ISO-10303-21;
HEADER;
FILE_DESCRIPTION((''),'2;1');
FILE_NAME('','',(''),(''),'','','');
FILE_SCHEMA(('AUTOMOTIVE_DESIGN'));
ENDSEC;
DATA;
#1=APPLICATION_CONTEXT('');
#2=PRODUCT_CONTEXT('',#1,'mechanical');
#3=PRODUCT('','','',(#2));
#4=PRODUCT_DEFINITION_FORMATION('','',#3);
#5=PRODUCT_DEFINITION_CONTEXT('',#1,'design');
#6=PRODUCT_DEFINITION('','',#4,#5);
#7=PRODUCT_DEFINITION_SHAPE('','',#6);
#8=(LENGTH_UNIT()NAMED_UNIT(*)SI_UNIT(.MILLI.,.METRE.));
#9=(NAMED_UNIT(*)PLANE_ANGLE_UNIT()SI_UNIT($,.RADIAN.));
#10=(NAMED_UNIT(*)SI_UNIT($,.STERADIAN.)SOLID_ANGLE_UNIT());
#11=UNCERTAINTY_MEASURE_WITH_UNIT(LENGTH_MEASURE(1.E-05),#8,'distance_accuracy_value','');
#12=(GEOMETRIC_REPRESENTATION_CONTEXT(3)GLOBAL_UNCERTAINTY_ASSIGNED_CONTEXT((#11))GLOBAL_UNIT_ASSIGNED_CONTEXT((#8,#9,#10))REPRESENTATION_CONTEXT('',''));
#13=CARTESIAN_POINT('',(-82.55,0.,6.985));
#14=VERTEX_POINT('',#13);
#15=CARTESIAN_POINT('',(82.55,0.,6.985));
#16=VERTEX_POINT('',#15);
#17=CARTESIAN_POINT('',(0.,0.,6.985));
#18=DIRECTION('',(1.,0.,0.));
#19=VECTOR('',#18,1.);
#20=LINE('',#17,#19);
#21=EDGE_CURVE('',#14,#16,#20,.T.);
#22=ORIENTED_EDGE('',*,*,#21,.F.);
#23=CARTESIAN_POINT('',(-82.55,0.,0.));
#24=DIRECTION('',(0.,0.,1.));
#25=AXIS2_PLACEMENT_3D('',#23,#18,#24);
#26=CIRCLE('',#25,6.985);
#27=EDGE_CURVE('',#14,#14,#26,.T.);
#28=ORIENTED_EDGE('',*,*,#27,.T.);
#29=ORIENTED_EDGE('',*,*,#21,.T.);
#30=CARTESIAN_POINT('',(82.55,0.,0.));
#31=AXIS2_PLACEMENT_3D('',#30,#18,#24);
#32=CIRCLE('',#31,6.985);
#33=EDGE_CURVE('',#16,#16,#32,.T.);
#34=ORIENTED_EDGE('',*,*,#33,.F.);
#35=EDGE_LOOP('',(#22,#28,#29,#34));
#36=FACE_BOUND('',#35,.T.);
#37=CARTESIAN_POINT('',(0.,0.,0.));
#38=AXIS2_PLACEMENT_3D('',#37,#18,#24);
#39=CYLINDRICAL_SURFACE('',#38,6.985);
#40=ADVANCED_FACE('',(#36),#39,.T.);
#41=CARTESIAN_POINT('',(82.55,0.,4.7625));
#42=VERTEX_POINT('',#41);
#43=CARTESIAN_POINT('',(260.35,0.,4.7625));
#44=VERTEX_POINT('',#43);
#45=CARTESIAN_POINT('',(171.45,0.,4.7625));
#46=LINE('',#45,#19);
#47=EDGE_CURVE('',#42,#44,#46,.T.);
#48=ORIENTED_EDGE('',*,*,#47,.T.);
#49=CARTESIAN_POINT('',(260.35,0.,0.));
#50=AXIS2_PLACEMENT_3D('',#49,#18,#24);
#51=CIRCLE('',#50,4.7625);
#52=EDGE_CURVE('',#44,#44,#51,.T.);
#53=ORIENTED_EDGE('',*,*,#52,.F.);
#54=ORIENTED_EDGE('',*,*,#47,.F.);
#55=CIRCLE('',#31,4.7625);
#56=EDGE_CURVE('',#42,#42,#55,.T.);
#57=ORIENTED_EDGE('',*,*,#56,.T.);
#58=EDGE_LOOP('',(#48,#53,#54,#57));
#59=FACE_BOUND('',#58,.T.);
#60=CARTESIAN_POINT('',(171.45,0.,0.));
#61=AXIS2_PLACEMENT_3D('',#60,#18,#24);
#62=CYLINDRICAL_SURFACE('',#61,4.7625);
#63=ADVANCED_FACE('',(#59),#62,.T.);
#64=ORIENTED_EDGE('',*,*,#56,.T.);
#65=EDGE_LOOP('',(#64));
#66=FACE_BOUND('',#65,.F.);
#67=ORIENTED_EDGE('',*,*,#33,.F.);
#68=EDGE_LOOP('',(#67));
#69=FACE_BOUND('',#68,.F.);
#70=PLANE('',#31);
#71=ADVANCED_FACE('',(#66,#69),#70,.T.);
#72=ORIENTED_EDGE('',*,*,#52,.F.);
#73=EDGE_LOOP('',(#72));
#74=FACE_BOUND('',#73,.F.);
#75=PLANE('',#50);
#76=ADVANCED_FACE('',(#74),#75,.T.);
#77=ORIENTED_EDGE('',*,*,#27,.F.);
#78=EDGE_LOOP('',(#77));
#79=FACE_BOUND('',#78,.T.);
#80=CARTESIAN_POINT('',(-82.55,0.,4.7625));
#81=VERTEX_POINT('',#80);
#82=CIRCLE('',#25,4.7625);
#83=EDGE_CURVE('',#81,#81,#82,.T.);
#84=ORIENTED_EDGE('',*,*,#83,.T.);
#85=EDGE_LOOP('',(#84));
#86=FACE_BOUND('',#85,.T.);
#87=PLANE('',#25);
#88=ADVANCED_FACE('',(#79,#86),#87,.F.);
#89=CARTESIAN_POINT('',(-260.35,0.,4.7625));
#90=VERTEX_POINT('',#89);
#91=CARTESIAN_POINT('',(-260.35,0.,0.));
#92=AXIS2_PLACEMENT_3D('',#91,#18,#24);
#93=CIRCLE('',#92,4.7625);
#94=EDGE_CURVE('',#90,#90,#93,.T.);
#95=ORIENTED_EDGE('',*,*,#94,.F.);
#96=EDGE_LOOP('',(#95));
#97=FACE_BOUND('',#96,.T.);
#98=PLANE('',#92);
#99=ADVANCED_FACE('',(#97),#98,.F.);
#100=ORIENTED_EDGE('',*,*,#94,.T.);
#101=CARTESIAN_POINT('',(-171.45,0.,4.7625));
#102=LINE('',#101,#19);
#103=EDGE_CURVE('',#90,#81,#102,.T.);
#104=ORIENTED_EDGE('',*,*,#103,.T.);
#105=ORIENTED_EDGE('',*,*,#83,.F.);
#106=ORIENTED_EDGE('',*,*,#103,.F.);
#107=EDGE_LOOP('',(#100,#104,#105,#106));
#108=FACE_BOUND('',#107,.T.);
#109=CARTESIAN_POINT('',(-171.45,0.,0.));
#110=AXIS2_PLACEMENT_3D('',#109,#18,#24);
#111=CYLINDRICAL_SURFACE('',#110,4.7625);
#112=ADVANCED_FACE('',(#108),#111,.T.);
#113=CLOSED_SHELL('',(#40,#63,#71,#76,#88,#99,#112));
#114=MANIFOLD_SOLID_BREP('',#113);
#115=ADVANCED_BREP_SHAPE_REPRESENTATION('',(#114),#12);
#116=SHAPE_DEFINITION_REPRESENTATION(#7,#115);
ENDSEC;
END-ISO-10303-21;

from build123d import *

# Parameters (mm, degrees)
F0_W   = 177.8
F0_H   = 4.7625
F0_W_2 = 165.1
F0_H_2 = 2.2225


with BuildPart() as f1:
    # F0 (on Front) → F1 (revolve)
    with BuildSketch(Plane.XZ):
        with Locations((-171.45, 2.38125)):
            Rectangle(F0_W, F0_H)
        with Locations((0, 5.87375)):
            Rectangle(F0_W_2, F0_H_2)
        with Locations((0, 2.38125)):
            Rectangle(F0_W_2, F0_H)
        with Locations((171.45, 2.38125)):
            Rectangle(F0_W, F0_H)
    revolve(axis=Axis((0, 0, 0), (1, 0, 0)))


solid = f1.part
